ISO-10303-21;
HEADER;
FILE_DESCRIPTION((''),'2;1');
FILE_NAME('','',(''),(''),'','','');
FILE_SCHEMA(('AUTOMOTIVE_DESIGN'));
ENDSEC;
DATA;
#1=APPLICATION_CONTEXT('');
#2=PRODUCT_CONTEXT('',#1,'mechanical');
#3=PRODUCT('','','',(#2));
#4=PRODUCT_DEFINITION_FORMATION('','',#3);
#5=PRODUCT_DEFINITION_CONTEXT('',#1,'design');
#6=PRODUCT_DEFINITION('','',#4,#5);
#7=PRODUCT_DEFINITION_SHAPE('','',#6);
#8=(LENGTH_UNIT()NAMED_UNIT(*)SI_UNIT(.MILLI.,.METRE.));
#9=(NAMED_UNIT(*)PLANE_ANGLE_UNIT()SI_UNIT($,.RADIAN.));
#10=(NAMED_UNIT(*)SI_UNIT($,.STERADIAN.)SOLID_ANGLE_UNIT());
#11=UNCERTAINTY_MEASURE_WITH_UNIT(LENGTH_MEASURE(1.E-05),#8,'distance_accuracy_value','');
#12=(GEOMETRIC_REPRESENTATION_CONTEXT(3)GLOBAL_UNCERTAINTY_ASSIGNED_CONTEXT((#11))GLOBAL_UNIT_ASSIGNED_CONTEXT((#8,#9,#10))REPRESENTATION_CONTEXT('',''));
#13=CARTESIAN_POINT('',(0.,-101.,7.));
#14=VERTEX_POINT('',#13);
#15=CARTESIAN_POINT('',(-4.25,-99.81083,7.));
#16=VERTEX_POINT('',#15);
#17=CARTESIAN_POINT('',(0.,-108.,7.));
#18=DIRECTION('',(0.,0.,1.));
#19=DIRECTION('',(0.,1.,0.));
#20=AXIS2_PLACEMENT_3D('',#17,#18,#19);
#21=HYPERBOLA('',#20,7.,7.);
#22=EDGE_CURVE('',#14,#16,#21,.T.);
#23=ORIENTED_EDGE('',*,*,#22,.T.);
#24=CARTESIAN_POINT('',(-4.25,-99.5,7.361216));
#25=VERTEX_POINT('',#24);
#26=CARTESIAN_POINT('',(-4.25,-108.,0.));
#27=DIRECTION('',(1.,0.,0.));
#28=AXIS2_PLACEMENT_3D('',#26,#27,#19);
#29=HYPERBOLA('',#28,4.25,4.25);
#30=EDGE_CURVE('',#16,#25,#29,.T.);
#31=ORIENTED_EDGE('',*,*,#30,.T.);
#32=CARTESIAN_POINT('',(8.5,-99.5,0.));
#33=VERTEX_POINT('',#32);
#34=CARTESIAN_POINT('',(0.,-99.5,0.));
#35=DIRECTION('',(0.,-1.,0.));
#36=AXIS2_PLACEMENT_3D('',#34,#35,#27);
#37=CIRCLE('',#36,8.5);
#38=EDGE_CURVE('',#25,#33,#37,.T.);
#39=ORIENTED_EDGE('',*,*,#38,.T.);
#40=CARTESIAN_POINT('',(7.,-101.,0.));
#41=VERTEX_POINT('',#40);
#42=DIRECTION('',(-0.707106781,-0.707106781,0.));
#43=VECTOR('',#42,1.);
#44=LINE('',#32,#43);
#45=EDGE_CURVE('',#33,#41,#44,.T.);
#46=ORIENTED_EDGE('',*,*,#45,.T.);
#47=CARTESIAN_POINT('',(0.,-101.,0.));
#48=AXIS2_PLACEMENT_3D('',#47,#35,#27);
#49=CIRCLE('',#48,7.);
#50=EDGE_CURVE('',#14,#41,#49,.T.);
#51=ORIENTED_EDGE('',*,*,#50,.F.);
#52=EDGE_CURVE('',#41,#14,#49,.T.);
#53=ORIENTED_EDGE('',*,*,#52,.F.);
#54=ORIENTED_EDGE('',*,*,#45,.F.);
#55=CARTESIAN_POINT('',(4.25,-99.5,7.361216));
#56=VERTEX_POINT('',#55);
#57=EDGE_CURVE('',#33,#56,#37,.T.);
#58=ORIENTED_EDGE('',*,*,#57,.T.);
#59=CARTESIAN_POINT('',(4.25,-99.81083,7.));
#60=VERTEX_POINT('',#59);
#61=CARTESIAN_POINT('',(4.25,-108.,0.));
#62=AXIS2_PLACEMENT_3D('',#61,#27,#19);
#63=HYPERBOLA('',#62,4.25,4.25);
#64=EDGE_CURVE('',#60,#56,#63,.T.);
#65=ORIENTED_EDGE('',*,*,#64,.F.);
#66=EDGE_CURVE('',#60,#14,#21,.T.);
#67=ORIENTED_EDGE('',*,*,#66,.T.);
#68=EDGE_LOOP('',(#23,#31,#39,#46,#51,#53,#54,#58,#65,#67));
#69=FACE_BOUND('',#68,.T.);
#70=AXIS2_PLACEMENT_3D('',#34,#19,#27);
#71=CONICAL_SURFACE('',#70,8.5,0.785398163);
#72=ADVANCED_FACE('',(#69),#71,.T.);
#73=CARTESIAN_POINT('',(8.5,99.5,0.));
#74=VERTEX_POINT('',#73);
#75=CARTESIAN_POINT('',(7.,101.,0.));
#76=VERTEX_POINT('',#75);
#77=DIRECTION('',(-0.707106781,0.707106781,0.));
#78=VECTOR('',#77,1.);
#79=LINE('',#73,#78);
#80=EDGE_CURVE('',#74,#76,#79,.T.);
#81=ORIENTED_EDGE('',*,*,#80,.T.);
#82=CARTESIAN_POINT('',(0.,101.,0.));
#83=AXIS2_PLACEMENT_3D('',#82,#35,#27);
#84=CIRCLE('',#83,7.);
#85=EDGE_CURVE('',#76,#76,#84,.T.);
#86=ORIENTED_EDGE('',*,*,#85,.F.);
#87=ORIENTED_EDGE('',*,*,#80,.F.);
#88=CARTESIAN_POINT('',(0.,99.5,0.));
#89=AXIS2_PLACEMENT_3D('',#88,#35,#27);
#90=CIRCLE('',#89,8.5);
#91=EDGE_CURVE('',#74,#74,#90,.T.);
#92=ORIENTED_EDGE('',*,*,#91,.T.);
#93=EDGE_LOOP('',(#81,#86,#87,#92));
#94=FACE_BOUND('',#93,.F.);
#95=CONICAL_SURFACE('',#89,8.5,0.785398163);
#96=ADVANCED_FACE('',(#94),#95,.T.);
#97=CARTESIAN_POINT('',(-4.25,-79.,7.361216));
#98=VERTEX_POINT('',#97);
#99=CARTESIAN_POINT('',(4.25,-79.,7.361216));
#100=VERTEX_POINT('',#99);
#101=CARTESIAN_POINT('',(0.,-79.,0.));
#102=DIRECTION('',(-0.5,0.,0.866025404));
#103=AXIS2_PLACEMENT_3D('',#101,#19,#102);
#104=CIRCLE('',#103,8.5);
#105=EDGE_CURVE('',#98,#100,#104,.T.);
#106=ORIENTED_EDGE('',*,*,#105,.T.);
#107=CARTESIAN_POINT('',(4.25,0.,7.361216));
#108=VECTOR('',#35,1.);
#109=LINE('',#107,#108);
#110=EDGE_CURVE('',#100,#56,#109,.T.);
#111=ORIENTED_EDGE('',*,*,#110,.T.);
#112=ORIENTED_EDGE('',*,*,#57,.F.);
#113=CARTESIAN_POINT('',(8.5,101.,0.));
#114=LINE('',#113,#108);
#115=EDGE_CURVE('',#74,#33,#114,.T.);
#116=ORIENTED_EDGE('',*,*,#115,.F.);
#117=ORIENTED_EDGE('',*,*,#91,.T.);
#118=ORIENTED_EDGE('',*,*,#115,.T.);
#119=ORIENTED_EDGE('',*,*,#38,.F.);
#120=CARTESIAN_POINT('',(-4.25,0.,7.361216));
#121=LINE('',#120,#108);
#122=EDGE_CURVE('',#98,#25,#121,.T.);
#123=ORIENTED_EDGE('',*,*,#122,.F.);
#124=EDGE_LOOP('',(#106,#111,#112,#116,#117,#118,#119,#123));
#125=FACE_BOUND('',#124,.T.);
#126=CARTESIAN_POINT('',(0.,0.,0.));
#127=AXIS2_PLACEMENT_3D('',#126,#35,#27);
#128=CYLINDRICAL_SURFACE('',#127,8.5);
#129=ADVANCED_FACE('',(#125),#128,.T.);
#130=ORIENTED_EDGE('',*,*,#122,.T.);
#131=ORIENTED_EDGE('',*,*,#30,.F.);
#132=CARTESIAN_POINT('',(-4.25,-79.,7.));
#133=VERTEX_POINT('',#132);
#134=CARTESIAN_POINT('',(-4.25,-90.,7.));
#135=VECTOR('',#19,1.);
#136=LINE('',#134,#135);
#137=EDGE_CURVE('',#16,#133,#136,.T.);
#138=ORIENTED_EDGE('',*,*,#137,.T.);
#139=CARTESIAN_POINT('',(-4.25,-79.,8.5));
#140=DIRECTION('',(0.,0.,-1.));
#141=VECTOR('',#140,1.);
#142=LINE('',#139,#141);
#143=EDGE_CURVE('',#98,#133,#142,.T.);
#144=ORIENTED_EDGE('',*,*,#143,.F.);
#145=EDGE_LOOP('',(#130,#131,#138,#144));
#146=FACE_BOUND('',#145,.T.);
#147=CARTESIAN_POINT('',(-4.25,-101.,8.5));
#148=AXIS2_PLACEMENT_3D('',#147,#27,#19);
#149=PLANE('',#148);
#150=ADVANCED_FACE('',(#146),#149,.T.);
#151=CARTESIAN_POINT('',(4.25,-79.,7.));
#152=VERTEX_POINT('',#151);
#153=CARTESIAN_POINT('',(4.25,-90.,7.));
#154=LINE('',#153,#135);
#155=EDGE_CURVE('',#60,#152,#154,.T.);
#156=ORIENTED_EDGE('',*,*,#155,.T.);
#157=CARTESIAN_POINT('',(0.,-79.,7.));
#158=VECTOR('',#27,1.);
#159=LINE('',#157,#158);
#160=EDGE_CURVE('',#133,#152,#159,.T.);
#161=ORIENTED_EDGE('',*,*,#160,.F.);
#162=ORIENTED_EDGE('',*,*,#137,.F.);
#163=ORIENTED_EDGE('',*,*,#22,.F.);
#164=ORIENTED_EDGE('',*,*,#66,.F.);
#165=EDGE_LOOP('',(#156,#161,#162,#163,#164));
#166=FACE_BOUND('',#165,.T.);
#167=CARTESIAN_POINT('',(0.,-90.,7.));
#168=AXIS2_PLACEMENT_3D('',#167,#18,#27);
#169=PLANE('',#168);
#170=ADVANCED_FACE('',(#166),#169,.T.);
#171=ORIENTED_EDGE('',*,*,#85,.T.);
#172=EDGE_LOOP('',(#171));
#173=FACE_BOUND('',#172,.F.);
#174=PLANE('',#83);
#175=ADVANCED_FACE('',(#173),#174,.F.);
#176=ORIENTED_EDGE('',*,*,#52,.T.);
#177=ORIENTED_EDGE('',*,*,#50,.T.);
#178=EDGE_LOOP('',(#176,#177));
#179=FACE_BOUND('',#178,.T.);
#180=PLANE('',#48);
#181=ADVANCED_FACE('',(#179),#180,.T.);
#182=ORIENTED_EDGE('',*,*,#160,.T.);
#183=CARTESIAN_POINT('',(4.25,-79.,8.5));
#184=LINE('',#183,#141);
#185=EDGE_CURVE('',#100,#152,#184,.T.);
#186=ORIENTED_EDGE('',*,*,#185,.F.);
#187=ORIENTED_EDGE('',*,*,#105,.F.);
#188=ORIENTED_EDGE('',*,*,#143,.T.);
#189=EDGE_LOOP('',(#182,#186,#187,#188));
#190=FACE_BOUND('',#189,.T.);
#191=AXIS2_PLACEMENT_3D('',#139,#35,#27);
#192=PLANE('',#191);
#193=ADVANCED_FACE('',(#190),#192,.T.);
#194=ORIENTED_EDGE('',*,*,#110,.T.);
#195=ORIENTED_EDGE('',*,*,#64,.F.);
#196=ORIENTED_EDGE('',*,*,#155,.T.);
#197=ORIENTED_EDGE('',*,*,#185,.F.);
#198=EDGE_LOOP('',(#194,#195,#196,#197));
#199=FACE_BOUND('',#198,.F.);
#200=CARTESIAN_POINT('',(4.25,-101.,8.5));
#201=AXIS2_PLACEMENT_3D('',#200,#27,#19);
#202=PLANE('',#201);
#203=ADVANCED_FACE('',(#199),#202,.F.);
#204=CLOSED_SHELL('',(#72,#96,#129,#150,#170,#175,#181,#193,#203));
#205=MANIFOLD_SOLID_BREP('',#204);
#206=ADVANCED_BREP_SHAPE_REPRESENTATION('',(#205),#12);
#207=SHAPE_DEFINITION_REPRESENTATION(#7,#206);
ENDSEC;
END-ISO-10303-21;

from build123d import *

# Parameters (mm, degrees)
F0_R          = 8.5
F1_DEPTH      = 101
F1_DEPTH_BACK = 101
F2_SIZE       = 1.5
F4_W          = 8.5
F4_H          = 22
F5_DEPTH      = 1.5


with BuildPart() as f1:
    # F0 (on Front) → F1 (new body, two sides)
    with BuildSketch(Plane.XZ) as f1_sk:
        Circle(F0_R)
    extrude(amount=F1_DEPTH)
    extrude(f1_sk.sketch, amount=-F1_DEPTH_BACK)

    # F2
    f2_edges = [f1.edges().sort_by_distance(p)[0] for p in [
        (-8.5, -101, 0),
        (-8.5, 101, 0),
    ]]
    chamfer(f2_edges, length=F2_SIZE)

    # F4 (on offset) → F5 (cut)
    with BuildSketch(Plane.XY.offset(8.5)):
        with Locations((0, -90)):
            Rectangle(F4_W, F4_H)
    extrude(amount=-F5_DEPTH, mode=Mode.SUBTRACT)


solid = f1.part
